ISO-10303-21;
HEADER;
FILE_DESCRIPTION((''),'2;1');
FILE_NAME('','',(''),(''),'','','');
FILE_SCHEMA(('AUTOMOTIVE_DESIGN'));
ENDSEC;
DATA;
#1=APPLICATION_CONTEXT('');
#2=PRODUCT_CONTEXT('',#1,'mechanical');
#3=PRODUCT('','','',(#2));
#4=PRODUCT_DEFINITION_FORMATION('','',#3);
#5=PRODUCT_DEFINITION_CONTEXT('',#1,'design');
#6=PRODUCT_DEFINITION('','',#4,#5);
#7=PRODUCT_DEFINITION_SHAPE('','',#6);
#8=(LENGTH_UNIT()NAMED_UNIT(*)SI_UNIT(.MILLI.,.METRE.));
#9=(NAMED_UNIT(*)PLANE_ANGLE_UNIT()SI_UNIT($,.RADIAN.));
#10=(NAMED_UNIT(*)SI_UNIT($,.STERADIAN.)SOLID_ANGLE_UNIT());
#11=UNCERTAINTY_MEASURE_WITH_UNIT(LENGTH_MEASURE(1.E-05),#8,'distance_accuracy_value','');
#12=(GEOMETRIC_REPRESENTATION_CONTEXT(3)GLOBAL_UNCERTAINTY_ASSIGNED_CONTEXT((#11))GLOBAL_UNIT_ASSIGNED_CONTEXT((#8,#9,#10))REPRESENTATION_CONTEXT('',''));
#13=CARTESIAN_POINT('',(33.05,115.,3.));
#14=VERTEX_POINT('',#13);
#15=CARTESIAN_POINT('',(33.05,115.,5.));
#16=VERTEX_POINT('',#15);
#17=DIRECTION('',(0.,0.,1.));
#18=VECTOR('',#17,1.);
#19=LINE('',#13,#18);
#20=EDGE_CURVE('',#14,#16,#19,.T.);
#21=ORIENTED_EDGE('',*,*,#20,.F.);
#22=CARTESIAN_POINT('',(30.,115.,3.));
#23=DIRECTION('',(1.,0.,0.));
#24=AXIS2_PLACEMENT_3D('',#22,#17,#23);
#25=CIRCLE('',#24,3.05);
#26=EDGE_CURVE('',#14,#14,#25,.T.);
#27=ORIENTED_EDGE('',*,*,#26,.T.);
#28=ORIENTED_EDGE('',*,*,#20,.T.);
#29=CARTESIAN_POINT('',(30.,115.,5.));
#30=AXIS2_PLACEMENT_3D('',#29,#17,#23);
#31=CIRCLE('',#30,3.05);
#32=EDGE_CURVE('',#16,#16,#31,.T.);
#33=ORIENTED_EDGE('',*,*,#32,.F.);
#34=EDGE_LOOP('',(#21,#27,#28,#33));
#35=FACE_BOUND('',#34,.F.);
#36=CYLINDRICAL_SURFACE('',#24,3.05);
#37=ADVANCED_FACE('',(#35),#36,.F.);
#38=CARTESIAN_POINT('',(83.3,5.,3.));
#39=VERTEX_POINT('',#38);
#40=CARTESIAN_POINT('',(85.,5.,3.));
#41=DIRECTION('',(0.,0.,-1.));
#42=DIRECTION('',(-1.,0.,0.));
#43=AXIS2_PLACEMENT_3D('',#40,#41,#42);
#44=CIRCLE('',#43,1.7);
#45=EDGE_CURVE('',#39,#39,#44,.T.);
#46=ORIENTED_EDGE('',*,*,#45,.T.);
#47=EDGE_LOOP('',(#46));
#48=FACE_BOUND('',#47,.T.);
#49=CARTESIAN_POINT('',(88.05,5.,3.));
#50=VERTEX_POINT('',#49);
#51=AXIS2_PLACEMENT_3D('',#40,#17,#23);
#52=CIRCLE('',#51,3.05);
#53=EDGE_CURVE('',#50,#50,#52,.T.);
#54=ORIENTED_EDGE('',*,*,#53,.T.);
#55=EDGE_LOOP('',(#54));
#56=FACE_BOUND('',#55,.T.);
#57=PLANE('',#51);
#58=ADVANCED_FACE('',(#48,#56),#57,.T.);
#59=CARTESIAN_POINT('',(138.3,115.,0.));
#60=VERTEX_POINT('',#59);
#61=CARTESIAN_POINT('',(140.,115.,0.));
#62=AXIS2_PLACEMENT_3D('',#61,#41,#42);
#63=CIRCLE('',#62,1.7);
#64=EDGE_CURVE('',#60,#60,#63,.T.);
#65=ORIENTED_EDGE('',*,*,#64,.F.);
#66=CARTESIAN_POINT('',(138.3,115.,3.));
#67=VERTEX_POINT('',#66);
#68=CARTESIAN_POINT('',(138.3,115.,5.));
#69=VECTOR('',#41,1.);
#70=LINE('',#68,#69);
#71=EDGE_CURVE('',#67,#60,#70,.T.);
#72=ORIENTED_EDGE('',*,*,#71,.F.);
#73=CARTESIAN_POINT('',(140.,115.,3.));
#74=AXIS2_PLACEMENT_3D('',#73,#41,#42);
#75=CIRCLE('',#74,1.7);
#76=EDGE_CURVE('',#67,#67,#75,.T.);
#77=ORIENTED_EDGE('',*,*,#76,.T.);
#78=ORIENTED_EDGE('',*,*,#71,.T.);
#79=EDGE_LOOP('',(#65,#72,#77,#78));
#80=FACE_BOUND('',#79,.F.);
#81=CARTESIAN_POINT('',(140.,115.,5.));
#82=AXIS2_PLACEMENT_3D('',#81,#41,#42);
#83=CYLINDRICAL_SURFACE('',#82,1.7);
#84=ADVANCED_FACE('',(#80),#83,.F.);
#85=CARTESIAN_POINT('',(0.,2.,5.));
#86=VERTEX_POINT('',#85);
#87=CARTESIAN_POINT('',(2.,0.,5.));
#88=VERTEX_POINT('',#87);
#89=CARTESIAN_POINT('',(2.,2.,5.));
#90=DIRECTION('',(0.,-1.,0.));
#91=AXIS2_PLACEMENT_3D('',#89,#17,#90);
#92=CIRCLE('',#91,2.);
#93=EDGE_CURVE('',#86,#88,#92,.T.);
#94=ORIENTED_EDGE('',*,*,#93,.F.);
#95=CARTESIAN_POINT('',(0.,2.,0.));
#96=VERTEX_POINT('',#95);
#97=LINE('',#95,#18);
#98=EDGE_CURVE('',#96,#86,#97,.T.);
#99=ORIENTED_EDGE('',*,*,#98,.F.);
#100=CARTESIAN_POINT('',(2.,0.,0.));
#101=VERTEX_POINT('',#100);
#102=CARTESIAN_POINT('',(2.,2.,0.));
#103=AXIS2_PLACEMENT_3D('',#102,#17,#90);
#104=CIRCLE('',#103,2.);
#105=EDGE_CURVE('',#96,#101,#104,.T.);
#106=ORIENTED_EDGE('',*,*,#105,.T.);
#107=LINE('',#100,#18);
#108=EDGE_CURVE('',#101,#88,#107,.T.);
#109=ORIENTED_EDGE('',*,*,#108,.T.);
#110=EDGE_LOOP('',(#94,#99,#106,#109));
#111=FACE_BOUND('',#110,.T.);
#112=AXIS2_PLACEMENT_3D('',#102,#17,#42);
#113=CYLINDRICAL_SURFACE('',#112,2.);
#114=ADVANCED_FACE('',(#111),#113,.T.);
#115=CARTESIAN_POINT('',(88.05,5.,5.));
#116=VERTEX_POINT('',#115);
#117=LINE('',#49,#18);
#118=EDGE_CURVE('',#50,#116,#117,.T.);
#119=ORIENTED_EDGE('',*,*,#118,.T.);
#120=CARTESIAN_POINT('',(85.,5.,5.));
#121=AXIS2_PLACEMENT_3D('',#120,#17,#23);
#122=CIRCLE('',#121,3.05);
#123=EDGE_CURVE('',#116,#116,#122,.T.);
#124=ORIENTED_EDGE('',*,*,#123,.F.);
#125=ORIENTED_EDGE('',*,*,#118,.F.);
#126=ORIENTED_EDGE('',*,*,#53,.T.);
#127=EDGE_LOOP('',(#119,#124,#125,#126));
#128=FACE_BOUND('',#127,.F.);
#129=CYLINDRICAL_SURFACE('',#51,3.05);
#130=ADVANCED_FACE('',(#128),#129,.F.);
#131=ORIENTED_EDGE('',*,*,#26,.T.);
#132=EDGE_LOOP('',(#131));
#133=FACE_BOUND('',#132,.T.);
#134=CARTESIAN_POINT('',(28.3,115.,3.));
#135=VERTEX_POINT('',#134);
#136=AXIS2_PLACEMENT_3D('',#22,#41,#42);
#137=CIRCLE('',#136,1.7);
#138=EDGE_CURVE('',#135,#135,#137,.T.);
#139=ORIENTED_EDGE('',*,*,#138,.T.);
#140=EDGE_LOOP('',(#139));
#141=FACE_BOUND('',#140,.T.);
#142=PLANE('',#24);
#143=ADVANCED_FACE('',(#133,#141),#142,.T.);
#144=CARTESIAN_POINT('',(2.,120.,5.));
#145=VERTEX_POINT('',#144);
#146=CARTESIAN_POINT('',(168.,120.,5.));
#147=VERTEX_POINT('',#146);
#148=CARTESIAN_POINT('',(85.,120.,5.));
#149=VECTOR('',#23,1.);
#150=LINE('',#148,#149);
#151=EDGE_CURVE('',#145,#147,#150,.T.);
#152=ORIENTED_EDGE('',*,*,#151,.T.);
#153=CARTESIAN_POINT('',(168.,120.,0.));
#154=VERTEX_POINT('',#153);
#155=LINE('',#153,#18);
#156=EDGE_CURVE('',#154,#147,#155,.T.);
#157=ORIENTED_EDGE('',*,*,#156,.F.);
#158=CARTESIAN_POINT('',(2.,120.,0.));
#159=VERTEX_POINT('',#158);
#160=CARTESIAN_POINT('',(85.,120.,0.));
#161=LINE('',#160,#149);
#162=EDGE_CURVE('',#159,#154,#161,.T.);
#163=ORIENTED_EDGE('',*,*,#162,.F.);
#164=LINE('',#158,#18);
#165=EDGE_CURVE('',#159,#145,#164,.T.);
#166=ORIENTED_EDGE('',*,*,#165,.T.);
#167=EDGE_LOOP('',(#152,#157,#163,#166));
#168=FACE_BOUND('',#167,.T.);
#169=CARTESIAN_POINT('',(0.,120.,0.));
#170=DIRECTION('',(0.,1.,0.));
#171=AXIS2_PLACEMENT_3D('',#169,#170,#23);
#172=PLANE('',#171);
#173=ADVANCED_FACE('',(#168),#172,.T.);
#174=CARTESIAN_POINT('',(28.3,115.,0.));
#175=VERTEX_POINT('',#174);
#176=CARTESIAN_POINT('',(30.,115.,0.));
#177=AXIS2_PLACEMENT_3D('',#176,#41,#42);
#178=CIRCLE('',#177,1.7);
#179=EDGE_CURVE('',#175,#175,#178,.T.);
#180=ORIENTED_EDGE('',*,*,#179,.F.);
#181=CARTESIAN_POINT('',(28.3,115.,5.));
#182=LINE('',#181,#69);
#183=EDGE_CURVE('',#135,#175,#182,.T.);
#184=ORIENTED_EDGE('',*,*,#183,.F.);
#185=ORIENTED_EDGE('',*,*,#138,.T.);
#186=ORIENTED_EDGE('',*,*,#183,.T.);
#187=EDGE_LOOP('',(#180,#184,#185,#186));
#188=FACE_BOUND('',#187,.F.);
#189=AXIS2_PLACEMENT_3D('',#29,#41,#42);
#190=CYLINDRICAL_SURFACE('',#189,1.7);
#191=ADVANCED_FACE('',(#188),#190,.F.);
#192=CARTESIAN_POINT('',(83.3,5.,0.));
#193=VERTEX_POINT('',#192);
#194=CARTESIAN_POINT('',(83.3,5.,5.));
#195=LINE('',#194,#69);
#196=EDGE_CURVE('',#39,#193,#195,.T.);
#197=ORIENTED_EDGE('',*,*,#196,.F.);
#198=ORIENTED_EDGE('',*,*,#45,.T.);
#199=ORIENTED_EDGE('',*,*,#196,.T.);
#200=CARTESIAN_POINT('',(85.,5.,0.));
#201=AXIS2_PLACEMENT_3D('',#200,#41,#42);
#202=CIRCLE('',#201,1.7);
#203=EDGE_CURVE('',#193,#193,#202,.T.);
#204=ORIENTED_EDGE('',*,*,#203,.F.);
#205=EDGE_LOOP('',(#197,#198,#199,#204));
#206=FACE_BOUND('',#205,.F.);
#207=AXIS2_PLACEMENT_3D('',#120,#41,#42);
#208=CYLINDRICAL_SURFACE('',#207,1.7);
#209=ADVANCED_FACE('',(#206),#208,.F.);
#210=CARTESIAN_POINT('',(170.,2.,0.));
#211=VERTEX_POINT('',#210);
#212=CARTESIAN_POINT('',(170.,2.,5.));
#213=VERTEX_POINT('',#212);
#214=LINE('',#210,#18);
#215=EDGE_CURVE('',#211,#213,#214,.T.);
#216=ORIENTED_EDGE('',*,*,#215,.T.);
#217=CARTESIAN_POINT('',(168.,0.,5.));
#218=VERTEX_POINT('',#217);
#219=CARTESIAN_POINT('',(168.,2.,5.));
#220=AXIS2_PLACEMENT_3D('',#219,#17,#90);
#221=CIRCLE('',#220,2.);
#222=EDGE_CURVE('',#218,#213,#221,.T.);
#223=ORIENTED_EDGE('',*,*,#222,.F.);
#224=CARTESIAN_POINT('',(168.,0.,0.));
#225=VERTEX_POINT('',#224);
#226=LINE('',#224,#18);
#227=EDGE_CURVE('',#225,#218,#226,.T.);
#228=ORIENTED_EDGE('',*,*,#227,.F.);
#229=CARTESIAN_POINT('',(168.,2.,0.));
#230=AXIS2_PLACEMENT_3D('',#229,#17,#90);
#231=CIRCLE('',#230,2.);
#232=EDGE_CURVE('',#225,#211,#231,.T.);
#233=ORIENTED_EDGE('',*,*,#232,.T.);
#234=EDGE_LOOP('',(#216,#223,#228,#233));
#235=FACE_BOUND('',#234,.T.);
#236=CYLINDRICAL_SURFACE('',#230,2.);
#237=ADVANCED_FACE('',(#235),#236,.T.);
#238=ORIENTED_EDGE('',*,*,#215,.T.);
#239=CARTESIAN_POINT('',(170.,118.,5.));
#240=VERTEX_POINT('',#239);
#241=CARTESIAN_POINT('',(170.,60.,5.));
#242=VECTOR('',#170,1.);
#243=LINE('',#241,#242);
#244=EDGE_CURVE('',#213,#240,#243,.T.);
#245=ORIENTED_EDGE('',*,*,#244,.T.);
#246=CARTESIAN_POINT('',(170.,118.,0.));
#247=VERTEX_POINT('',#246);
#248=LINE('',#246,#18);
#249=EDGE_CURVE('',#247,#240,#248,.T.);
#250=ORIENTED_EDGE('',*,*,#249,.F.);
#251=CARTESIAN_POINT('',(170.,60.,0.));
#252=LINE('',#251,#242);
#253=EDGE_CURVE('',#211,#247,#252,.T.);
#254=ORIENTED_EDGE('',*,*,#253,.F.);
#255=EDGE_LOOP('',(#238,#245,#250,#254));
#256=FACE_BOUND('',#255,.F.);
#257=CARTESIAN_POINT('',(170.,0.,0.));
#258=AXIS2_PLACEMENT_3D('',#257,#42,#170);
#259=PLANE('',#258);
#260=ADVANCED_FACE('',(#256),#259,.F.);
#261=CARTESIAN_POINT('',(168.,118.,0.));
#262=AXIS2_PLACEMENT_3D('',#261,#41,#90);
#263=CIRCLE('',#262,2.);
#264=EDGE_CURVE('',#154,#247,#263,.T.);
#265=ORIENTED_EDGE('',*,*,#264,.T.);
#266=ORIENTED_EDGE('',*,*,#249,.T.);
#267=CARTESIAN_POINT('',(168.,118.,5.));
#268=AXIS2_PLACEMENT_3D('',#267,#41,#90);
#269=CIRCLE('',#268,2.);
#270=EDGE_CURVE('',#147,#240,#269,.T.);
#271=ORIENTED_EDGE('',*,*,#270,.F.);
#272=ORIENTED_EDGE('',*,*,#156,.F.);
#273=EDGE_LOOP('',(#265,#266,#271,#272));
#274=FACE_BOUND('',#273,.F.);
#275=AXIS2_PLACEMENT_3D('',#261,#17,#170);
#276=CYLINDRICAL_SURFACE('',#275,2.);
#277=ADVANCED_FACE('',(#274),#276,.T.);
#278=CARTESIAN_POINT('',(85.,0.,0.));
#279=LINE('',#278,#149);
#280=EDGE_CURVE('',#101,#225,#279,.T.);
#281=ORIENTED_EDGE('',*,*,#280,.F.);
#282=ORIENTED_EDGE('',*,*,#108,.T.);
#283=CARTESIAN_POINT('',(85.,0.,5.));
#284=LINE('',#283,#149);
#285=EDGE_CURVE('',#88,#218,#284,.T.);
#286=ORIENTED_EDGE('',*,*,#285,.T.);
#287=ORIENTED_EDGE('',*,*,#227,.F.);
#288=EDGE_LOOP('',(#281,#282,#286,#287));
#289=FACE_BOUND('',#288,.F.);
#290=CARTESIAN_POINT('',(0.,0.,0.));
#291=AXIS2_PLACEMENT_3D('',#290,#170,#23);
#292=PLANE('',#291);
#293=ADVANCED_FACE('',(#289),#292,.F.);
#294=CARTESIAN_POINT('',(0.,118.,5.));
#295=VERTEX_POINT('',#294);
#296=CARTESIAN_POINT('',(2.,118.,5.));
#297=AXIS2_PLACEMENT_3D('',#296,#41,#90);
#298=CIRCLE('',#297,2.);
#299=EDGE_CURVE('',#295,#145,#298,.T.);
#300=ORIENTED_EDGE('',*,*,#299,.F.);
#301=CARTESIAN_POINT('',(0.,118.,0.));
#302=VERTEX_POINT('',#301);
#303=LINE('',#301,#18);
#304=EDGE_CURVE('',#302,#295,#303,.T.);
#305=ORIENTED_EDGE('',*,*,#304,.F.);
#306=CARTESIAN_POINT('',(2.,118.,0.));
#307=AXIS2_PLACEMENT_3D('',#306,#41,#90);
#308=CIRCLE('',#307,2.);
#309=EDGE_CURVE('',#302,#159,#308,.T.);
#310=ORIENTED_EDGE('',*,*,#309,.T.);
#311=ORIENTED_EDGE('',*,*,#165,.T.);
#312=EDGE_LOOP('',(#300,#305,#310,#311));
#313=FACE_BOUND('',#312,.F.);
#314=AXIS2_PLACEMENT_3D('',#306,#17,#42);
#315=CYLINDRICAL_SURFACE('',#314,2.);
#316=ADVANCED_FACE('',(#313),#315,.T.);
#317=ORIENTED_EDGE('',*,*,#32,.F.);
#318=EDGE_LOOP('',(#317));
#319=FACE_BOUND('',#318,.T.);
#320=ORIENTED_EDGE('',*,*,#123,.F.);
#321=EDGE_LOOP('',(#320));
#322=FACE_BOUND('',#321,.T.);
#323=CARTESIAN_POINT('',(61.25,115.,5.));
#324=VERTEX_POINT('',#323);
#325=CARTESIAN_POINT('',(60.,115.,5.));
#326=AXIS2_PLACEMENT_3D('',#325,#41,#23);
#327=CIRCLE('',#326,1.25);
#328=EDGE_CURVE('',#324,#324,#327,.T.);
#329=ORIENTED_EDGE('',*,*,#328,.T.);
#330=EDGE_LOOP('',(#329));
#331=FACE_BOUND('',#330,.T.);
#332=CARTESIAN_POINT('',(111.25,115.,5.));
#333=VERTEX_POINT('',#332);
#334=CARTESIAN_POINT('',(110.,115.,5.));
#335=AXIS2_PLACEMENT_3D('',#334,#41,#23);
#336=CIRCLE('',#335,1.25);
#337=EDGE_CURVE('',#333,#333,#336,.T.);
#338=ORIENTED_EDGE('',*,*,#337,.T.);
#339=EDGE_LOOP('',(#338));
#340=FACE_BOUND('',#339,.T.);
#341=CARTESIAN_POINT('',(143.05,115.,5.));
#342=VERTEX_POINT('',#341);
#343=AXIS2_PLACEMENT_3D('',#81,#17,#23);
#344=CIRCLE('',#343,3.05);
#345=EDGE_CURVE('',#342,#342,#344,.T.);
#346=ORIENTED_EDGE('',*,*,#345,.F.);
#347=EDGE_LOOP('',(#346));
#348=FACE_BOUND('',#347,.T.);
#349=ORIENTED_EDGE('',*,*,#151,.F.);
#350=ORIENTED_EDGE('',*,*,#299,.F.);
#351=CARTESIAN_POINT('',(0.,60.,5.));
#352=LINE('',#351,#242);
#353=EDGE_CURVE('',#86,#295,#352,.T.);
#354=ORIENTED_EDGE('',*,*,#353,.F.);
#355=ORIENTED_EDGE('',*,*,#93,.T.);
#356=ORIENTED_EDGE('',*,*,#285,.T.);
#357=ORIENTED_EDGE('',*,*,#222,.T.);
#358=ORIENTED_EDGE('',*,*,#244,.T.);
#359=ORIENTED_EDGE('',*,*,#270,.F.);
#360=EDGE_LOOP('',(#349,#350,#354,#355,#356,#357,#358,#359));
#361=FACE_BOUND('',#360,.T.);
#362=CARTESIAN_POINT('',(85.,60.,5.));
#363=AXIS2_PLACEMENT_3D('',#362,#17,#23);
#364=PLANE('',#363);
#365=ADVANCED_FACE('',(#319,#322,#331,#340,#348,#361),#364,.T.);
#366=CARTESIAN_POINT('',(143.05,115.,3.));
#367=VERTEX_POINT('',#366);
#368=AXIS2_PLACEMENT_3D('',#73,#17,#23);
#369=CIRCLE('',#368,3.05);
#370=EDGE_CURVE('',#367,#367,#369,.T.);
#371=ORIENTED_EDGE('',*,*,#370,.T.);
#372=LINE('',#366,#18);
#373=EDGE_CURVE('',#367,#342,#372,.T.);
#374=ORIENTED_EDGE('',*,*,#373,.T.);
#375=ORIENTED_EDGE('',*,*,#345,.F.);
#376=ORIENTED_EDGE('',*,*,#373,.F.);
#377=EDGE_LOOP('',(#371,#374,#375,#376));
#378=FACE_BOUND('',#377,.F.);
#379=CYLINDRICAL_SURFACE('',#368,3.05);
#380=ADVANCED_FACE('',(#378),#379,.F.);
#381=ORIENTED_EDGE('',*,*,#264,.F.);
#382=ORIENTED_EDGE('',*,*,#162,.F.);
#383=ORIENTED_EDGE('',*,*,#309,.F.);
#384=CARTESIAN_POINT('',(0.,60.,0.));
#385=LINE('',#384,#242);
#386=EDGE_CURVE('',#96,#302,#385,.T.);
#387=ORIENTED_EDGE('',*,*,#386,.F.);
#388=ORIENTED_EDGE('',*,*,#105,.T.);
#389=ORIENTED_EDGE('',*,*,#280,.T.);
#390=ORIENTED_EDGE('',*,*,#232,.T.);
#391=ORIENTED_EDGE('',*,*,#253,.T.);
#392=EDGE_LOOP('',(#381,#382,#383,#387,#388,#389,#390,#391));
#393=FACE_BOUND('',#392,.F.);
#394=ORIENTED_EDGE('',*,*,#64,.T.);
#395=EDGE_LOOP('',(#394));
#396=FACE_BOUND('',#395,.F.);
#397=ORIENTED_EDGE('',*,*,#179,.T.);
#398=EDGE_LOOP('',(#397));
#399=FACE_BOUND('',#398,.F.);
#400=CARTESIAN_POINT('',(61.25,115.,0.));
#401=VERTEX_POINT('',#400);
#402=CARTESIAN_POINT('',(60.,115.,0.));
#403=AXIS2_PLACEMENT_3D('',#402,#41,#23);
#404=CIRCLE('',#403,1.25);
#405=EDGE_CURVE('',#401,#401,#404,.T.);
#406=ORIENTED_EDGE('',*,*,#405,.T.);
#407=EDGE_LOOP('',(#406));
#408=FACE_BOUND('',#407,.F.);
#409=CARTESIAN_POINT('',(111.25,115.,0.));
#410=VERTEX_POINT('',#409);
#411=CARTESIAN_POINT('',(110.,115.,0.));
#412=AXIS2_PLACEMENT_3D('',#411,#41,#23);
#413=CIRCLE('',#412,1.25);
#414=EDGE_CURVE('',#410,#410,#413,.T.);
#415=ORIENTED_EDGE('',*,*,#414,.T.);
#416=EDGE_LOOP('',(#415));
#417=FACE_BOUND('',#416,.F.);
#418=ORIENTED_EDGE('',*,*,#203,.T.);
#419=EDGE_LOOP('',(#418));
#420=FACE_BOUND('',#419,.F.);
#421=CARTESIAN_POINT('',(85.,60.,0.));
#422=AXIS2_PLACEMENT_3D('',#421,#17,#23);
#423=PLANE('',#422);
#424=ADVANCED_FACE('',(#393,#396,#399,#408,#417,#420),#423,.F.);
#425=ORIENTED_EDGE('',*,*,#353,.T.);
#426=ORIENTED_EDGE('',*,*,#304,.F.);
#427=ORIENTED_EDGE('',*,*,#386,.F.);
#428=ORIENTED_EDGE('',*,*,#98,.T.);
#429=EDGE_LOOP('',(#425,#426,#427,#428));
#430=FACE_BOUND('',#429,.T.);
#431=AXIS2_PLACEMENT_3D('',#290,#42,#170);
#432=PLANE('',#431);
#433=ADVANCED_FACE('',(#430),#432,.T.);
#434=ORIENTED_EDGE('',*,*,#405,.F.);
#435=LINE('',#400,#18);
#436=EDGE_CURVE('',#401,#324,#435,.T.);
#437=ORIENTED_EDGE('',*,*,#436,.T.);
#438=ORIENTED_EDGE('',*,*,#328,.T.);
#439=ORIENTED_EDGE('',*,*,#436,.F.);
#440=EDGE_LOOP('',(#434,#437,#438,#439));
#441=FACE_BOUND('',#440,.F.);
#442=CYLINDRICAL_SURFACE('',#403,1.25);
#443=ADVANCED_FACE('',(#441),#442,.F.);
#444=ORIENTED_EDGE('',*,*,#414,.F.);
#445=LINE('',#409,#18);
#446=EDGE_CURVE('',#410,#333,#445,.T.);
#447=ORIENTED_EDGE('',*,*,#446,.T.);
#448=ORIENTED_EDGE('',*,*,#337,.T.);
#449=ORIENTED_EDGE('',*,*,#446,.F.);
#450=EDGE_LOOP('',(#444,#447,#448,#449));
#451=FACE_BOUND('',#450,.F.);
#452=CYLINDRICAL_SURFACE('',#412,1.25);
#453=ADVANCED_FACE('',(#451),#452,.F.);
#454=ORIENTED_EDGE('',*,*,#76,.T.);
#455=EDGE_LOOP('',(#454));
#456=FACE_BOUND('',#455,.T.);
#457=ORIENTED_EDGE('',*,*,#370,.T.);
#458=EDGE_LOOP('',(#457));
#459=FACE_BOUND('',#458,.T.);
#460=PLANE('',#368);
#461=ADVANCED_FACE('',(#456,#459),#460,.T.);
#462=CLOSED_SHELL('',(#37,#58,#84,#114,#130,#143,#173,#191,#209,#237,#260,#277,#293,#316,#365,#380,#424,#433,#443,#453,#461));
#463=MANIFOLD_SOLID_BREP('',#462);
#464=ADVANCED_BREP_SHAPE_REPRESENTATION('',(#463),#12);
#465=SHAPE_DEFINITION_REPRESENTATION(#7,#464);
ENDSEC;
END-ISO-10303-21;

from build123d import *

# Parameters (mm, degrees)
BOX_W            = 170
BOX_H            = 120
BOX_DEPTH        = 5
HOLE_D           = 3.4
HOLE_DEPTH       = 25
HOLE_CBORE_D     = 6.1
HOLE_CBORE_DEPTH = 2
SKETCH001_R      = 1.25
HOLE001_DEPTH    = 5.001
FILLET_R         = 2


with BuildPart() as part:
    # Box → Box (join)
    with BuildSketch(Plane.XY):
        with Locations((85, 60)):
            Rectangle(BOX_W, BOX_H)
    extrude(amount=BOX_DEPTH)

    # Hole
    with Locations(Plane.XY.offset(5)):
        with Locations((30, 115), (140, 115), (85, 5)):
            CounterBoreHole(HOLE_D / 2, HOLE_CBORE_D / 2, HOLE_CBORE_DEPTH, depth=HOLE_DEPTH)

    # Sketch001 (on Face5 of Hole) → Hole001 (cut, through all)
    with BuildSketch(Plane(origin=(0, 0, 0), x_dir=(1, 0, 0), z_dir=(0, 0, -1))):
        with Locations((60, -115)):
            Circle(SKETCH001_R)
        with Locations((110, -115)):
            Circle(SKETCH001_R)
    extrude(amount=-HOLE001_DEPTH, mode=Mode.SUBTRACT)

    # Fillet
    fillet_edges = [part.edges().sort_by_distance(p)[0] for p in [
        (0, 120, 2.5),
        (170, 0, 2.5),
        (0, 0, 2.5),
        (170, 120, 2.5),
    ]]
    fillet(fillet_edges, radius=FILLET_R)


solid = part.part
